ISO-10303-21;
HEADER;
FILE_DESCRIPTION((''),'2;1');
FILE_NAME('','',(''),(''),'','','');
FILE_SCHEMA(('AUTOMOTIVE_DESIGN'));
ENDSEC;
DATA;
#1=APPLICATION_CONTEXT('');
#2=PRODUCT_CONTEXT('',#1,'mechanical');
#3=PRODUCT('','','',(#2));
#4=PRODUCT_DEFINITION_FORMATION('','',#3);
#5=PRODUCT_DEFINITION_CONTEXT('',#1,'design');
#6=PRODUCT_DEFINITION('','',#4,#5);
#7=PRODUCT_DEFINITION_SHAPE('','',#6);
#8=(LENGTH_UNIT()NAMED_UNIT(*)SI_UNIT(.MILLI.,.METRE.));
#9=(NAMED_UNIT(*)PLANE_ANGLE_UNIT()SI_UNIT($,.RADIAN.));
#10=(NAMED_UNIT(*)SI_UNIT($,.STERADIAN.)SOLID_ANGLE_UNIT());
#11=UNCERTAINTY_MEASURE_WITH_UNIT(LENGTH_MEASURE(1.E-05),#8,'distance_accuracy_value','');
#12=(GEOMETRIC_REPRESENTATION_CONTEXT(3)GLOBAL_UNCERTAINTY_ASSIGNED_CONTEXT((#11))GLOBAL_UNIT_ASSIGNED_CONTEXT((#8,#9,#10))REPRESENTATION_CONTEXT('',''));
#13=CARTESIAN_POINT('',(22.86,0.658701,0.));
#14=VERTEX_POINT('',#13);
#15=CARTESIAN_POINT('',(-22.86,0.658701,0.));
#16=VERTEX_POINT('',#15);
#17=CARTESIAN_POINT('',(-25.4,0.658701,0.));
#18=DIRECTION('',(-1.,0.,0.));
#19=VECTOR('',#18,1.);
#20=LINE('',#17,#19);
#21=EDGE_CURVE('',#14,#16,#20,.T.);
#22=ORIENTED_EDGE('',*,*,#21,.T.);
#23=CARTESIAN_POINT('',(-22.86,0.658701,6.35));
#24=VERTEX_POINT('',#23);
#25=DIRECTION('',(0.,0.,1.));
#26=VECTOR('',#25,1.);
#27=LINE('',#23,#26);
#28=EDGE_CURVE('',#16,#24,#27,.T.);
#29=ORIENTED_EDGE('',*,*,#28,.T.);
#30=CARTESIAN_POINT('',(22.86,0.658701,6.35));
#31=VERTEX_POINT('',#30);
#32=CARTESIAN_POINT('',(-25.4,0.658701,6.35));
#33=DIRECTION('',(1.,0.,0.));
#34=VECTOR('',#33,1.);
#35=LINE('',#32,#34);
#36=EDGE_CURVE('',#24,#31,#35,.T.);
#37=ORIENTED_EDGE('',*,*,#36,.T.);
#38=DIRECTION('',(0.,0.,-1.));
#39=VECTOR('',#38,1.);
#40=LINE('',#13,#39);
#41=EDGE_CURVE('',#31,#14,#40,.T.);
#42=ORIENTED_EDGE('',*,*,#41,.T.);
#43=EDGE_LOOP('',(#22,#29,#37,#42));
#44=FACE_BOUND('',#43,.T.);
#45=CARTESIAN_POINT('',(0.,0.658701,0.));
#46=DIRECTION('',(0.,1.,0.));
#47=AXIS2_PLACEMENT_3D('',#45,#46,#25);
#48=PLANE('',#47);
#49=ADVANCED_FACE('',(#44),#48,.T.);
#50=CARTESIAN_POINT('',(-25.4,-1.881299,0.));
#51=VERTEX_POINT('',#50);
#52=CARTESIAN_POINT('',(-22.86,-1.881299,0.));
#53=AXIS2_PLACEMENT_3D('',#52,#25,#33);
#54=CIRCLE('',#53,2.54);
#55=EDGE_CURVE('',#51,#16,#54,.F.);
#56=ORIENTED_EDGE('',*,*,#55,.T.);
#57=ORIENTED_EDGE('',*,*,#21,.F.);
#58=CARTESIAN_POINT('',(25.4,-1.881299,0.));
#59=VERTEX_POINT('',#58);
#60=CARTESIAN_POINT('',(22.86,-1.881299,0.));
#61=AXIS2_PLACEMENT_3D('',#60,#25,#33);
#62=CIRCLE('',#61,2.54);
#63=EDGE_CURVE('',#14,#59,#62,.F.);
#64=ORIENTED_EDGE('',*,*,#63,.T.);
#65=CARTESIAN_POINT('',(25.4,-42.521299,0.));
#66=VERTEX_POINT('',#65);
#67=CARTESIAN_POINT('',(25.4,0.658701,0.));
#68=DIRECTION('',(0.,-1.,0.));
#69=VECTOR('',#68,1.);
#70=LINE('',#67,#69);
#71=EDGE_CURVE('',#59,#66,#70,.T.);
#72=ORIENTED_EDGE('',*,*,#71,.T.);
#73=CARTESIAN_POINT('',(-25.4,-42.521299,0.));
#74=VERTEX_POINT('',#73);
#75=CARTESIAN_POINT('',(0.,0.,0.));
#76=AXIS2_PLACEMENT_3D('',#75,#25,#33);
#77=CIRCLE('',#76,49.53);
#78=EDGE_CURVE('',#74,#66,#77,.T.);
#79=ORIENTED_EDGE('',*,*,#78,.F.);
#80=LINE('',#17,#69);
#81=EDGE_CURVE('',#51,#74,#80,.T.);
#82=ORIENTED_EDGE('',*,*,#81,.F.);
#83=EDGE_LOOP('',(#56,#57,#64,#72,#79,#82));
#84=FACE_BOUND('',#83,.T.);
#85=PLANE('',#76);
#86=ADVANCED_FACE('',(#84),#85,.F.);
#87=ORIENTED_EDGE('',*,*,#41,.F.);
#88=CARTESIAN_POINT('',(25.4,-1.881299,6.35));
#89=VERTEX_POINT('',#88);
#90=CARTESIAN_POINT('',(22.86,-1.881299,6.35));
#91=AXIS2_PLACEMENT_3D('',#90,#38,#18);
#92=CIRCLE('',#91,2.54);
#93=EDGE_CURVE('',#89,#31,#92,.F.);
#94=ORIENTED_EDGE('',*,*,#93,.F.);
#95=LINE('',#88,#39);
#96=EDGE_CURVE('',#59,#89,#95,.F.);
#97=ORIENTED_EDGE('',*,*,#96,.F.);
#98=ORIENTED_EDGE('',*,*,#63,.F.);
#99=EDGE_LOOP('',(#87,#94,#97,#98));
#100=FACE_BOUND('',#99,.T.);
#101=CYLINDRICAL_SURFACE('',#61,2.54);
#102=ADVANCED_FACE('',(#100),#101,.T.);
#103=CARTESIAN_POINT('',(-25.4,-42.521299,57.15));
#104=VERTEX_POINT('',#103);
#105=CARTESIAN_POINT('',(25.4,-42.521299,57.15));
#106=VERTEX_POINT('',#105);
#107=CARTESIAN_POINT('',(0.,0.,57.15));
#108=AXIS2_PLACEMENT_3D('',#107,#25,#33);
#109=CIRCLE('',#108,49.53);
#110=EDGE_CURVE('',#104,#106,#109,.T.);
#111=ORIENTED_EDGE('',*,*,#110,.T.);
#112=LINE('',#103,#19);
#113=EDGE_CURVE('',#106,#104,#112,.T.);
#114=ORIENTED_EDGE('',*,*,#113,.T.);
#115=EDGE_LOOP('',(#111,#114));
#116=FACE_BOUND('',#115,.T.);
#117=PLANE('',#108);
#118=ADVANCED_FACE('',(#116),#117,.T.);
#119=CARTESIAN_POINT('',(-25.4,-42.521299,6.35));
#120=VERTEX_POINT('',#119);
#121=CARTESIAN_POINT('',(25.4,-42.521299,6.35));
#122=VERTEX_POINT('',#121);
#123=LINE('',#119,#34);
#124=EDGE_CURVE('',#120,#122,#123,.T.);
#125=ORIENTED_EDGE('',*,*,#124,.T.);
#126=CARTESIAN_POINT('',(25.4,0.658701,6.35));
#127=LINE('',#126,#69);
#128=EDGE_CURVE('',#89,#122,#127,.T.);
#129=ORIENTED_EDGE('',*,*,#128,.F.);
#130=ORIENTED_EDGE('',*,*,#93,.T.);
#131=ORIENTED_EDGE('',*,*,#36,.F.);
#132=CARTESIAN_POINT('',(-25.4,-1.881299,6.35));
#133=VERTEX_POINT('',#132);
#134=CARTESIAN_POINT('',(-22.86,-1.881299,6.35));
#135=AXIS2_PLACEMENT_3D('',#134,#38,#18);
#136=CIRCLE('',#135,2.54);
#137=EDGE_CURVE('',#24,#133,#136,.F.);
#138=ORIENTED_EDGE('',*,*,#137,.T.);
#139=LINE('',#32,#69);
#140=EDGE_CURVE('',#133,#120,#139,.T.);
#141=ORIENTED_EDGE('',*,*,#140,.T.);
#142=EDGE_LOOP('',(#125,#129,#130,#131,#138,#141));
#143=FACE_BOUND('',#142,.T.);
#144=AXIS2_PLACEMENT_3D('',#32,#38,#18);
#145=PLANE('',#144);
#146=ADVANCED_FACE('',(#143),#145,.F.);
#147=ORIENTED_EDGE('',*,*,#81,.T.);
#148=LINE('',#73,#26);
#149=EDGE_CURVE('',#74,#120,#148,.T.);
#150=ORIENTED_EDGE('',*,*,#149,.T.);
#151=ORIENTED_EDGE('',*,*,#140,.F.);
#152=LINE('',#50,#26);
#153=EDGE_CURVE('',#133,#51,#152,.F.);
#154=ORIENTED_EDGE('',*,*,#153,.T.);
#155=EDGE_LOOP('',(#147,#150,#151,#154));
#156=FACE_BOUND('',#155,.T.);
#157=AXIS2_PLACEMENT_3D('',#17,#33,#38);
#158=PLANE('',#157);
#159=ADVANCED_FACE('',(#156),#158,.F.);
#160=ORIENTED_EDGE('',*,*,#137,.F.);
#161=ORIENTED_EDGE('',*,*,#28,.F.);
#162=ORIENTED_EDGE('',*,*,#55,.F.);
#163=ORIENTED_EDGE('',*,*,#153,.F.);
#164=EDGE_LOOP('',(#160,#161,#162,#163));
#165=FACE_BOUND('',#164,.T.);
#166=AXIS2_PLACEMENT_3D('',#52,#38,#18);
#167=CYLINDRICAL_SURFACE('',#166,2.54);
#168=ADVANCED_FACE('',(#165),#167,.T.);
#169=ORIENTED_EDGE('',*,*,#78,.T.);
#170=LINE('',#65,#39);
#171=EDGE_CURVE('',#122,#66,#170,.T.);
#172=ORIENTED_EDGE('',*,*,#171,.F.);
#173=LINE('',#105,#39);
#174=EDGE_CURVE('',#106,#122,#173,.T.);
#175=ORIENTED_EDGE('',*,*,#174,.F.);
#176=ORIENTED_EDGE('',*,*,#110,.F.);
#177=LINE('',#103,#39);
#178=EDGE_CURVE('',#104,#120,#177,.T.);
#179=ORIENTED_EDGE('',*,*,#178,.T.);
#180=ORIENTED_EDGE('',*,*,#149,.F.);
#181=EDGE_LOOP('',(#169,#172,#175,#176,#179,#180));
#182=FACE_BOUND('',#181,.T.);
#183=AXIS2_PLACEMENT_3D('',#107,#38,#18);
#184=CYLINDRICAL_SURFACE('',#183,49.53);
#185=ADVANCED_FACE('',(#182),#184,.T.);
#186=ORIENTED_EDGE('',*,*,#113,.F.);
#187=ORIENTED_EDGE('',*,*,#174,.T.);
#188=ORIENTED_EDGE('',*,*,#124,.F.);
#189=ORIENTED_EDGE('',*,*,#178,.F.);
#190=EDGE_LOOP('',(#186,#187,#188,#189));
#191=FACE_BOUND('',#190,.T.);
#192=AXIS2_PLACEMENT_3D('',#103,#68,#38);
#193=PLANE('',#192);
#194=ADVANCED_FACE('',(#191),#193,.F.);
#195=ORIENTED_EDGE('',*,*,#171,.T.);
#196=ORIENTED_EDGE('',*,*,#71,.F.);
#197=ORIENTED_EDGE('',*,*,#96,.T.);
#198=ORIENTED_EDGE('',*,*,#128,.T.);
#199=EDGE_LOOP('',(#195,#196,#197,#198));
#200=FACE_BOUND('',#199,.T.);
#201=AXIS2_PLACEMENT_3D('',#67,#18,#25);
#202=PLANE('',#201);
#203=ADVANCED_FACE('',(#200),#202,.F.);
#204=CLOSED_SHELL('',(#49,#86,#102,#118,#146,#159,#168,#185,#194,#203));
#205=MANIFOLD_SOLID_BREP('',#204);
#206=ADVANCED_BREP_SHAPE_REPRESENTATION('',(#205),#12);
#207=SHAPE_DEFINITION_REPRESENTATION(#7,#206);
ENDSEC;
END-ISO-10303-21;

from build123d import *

# Parameters (mm, degrees)
BOSS_EXTRUDE1_DEPTH = 57.15
SKETCH2_W           = 50.8
SKETCH2_H           = 6.35
BOSS_EXTRUDE2_DEPTH = 43.18
FILLET1_R           = 2.54


with BuildPart() as part:
    # Sketch1 → Boss-Extrude1 (new body)
    with BuildSketch(Plane.XY):
        with BuildLine():
            Line((-25.4, -42.521299369), (25.4, -42.521299369))
            ThreePointArc((25.4, -42.521299369), (0, -49.53), (-25.4, -42.521299369))
        make_face()
    extrude(amount=BOSS_EXTRUDE1_DEPTH)

    # Sketch2 → Boss-Extrude2 (add)
    with BuildSketch(Plane(origin=(0, -42.521299369, 0), x_dir=(1, 0, 0), z_dir=(0, 1, 0))):
        with Locations((0, -3.175)):
            Rectangle(SKETCH2_W, SKETCH2_H)
    extrude(amount=BOSS_EXTRUDE2_DEPTH)

    # Fillet1
    fillet1_edges = [part.edges().sort_by_distance(p)[0] for p in [
        (-25.4, 0.658700631, 3.175),
        (25.4, 0.658700631, 3.175),
    ]]
    fillet(fillet1_edges, radius=FILLET1_R)


solid = part.part
